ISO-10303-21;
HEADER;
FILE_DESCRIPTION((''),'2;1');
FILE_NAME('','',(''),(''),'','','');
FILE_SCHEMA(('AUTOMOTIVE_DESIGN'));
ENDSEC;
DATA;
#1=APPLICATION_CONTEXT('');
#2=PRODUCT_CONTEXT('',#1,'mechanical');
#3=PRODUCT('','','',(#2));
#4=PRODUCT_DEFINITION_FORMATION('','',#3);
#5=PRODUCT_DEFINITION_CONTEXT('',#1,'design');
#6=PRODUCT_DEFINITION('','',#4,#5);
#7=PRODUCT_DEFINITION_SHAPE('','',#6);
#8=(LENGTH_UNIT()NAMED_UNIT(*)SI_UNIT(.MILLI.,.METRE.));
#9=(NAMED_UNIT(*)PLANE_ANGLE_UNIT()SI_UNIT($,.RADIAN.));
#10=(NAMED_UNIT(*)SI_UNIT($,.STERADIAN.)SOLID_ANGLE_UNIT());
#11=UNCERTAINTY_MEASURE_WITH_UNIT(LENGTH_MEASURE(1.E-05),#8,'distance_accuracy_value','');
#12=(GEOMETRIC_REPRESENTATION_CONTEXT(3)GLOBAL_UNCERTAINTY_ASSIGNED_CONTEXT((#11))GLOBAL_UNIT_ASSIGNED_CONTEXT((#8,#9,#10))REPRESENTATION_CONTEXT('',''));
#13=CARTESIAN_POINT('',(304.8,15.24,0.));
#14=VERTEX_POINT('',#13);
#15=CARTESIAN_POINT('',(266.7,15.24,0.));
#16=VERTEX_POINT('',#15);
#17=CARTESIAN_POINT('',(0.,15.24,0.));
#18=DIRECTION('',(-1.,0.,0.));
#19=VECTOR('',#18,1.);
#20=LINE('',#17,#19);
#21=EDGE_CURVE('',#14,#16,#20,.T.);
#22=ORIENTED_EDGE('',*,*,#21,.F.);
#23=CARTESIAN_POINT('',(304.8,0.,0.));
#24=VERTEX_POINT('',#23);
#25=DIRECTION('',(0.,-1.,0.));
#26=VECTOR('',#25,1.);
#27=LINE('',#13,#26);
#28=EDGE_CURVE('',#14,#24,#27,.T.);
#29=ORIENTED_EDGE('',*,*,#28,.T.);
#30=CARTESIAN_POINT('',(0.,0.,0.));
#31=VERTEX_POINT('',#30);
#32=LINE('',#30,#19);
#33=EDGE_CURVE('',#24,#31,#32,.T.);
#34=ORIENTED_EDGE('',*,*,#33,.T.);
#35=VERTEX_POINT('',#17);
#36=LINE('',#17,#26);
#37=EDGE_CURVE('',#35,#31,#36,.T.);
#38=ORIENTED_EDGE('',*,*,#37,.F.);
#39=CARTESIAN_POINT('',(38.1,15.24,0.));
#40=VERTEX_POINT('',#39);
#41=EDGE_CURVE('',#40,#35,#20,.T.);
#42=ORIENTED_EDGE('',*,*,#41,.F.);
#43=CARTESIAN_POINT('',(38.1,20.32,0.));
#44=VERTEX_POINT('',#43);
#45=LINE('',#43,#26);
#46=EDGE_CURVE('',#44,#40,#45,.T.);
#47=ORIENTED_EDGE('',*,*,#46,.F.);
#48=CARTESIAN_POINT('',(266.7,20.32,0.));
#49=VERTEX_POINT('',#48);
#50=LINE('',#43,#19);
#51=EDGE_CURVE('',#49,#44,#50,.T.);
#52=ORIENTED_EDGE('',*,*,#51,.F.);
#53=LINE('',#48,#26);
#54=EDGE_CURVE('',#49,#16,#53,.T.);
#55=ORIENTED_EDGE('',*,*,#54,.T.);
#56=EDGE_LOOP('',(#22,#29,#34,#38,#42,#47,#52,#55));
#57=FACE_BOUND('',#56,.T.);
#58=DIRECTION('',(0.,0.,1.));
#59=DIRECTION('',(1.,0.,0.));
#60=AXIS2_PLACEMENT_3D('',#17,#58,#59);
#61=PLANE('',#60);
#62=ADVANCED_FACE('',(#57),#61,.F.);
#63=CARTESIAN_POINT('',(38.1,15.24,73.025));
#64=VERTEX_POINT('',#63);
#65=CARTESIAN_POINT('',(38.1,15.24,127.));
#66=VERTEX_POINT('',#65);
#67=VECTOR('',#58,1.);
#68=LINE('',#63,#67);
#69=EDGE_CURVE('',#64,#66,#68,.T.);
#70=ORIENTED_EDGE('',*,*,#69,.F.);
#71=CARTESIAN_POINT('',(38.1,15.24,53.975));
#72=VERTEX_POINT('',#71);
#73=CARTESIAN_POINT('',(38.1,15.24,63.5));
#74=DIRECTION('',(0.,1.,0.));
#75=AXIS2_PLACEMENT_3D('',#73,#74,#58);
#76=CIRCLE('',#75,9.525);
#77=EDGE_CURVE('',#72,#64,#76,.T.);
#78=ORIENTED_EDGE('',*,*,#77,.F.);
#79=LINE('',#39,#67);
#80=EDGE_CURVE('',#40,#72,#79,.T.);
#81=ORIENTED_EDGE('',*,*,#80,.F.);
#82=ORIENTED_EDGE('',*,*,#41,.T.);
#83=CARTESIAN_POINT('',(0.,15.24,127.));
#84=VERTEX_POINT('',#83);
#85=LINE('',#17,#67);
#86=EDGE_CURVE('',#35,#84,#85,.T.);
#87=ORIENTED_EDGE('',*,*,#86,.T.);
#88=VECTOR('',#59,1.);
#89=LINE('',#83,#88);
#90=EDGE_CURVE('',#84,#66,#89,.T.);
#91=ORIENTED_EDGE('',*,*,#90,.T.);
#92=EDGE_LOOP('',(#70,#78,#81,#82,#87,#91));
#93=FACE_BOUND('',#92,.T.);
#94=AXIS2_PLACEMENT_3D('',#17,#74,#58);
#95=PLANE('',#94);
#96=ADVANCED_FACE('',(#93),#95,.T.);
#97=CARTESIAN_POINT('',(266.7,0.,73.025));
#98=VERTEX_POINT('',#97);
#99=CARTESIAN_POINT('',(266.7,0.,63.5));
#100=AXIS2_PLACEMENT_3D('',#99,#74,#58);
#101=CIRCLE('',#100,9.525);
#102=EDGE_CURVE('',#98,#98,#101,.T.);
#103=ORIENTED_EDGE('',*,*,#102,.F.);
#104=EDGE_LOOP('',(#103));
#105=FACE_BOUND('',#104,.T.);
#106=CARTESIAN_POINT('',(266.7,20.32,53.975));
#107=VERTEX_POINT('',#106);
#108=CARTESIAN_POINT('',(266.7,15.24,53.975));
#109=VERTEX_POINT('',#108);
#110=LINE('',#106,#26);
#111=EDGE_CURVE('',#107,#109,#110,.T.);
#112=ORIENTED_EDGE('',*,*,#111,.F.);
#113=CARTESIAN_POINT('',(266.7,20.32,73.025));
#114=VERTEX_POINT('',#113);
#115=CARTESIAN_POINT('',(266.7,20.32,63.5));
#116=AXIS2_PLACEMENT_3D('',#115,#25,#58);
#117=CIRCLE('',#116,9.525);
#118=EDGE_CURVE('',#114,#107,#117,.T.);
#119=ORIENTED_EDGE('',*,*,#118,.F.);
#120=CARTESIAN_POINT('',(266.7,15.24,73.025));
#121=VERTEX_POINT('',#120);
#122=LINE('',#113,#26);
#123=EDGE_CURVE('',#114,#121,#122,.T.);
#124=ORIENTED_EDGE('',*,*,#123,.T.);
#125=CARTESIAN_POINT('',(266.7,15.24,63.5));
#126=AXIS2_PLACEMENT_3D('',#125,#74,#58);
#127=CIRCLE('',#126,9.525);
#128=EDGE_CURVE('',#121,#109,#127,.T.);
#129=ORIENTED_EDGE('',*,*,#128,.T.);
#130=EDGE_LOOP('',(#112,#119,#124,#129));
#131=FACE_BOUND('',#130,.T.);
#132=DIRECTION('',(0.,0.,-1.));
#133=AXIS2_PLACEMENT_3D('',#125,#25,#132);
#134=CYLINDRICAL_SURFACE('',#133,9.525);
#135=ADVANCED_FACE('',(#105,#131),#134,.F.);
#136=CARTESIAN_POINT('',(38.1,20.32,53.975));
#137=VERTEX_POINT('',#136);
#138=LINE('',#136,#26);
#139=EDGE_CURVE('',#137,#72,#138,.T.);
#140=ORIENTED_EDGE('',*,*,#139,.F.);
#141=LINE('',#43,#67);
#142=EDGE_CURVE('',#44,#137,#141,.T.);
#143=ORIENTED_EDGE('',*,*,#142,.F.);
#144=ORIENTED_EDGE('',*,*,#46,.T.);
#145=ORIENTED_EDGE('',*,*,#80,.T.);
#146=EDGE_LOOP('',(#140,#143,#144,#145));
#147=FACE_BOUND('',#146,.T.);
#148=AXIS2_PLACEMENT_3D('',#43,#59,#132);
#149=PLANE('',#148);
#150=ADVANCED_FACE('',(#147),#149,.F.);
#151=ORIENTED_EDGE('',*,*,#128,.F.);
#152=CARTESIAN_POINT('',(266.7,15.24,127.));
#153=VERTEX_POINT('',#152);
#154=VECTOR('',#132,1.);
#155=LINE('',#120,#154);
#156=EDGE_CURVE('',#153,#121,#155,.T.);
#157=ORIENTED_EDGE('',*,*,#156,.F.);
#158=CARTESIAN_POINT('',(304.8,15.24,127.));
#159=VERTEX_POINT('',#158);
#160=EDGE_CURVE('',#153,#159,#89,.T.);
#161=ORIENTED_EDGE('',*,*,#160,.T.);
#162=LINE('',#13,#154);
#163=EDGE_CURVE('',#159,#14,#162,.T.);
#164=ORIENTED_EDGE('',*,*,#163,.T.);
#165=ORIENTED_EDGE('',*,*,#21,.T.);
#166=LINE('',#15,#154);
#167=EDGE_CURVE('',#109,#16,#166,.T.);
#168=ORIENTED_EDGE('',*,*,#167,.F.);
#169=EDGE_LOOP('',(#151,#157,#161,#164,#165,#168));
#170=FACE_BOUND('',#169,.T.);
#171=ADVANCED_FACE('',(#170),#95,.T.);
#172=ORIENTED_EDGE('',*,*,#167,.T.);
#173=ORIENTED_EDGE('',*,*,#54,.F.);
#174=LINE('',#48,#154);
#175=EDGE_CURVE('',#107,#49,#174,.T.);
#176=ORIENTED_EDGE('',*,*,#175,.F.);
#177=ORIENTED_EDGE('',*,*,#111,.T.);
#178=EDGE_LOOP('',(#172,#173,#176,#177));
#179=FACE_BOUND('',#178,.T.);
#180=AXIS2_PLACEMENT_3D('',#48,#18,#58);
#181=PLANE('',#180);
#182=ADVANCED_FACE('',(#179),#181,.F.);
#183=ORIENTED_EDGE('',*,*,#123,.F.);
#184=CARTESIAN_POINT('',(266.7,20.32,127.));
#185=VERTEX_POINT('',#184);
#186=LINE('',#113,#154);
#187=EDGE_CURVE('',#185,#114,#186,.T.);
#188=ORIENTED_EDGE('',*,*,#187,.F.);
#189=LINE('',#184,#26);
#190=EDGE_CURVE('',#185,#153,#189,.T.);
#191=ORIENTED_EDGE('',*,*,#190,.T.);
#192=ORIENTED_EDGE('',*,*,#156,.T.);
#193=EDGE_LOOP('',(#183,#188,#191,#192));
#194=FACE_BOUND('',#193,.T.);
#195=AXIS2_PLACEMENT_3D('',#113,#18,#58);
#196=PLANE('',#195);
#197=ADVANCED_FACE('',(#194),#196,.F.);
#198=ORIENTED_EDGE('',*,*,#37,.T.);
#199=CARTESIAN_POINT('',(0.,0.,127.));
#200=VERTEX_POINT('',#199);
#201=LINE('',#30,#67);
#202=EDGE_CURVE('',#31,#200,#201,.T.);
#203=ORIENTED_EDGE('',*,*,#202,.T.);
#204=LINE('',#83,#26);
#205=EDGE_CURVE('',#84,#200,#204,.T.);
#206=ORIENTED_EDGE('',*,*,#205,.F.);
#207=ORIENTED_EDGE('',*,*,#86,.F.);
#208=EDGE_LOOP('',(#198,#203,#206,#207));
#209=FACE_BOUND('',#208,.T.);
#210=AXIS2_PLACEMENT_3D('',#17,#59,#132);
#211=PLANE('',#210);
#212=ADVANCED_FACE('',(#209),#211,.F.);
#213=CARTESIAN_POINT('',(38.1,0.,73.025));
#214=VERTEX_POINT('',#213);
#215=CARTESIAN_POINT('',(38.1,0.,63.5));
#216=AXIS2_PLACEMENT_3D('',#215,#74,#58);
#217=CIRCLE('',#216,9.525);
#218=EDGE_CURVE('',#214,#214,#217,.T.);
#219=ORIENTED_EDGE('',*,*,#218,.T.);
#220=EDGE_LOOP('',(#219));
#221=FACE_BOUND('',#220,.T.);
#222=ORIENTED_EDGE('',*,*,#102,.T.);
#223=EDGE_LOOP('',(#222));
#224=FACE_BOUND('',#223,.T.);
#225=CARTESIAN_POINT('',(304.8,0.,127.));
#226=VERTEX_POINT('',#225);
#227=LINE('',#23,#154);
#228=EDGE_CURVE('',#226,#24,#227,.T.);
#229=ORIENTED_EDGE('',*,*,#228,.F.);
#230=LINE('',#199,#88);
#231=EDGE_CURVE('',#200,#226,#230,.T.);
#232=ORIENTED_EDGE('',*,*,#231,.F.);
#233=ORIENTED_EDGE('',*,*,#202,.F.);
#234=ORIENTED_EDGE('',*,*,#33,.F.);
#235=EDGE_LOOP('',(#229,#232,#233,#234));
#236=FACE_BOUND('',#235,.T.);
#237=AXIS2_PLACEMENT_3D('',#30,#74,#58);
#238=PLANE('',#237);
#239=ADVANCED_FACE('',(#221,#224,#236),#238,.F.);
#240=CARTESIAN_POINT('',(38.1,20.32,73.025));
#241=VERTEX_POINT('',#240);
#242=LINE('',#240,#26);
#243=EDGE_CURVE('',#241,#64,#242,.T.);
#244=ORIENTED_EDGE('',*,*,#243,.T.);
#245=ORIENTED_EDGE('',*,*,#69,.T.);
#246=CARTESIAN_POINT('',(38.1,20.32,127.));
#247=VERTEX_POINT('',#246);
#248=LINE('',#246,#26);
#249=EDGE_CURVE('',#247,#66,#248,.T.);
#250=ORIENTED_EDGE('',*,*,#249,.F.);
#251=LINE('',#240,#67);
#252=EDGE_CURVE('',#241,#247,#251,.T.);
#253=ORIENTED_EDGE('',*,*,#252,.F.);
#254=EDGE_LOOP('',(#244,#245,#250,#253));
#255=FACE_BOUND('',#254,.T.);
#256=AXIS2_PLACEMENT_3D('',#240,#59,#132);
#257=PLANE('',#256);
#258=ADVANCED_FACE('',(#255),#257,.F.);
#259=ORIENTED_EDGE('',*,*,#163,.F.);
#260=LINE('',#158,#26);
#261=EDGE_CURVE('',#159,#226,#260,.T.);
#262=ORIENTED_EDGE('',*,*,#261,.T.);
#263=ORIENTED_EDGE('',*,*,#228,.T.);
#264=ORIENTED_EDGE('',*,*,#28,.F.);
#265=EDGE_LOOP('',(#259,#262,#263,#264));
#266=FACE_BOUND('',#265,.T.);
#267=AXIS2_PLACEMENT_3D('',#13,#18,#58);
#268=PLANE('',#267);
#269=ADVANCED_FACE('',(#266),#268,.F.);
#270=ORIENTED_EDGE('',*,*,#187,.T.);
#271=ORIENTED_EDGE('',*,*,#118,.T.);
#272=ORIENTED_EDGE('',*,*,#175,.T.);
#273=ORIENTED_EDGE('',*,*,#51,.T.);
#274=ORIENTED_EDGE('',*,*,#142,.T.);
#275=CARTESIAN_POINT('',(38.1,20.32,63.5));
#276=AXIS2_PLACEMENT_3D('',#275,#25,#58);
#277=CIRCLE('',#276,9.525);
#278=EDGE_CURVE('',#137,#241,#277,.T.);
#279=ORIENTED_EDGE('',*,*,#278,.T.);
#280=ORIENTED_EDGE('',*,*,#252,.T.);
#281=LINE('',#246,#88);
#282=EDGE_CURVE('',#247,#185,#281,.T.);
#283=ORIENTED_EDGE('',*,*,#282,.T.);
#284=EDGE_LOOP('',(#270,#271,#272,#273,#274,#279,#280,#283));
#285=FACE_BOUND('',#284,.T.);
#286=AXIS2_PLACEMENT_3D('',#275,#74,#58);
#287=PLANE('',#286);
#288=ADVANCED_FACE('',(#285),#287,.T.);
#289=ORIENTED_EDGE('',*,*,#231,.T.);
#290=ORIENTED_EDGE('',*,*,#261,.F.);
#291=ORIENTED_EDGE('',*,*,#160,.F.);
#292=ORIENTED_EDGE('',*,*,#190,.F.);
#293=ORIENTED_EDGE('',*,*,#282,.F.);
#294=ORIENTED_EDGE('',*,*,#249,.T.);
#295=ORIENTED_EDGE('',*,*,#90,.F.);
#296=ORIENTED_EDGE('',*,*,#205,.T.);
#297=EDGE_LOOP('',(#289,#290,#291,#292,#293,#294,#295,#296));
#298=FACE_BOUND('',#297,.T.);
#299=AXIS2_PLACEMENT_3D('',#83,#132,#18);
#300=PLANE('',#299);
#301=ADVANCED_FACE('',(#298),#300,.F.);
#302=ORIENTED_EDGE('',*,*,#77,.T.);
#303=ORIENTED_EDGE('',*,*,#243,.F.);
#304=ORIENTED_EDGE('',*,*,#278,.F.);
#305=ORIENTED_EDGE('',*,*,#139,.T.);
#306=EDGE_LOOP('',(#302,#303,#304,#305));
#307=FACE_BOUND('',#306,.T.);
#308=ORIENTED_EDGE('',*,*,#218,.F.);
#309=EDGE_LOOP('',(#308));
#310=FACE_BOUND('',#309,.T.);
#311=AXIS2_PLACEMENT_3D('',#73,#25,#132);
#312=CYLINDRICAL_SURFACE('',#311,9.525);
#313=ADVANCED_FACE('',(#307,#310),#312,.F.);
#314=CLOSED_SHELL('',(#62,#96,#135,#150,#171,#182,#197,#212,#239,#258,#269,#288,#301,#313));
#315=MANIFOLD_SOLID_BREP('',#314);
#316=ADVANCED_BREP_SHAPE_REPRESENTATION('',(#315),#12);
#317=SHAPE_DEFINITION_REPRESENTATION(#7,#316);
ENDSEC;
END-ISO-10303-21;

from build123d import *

# Parameters (mm, degrees)
SKETCH2_W           = 304.8
SKETCH2_H           = 127
SKETCH2_R           = 9.525
BOSS_EXTRUDE1_DEPTH = 15.24
BOSS_EXTRUDE2_DEPTH = 5.08


with BuildPart() as part:
    # Sketch2 → Boss-Extrude1 (new body)
    with BuildSketch(Plane(origin=(0, 0, 0), x_dir=(1, 0, 0), z_dir=(0, 1, 0))):
        with Locations((152.4, -63.5)):
            Rectangle(SKETCH2_W, SKETCH2_H)
        with Locations(Location((38.1, -63.5, 0), (0, 0, 90))):
            Circle(SKETCH2_R, mode=Mode.SUBTRACT)
        with Locations(Location((266.7, -63.5, 0), (0, 0, 90))):
            Circle(SKETCH2_R, mode=Mode.SUBTRACT)
    extrude(amount=BOSS_EXTRUDE1_DEPTH)

    # Sketch3 → Boss-Extrude2 (add)
    with BuildSketch(Plane(origin=(0, 15.24, 0), x_dir=(1, 0, 0), z_dir=(0, 1, 0))):
        with BuildLine():
            Line((38.1, 0), (266.7, 0))
            Line((266.7, 0), (266.7, -53.975))
            ThreePointArc((266.7, -53.975), (257.175, -63.5), (266.7, -73.025))
            Line((266.7, -73.025), (266.7, -127))
            Line((266.7, -127), (38.1, -127))
            Line((38.1, -127), (38.1, -73.025))
            ThreePointArc((38.1, -73.025), (47.625, -63.5), (38.1, -53.975))
            Line((38.1, -53.975), (38.1, 0))
        make_face()
    extrude(amount=BOSS_EXTRUDE2_DEPTH)


solid = part.part
